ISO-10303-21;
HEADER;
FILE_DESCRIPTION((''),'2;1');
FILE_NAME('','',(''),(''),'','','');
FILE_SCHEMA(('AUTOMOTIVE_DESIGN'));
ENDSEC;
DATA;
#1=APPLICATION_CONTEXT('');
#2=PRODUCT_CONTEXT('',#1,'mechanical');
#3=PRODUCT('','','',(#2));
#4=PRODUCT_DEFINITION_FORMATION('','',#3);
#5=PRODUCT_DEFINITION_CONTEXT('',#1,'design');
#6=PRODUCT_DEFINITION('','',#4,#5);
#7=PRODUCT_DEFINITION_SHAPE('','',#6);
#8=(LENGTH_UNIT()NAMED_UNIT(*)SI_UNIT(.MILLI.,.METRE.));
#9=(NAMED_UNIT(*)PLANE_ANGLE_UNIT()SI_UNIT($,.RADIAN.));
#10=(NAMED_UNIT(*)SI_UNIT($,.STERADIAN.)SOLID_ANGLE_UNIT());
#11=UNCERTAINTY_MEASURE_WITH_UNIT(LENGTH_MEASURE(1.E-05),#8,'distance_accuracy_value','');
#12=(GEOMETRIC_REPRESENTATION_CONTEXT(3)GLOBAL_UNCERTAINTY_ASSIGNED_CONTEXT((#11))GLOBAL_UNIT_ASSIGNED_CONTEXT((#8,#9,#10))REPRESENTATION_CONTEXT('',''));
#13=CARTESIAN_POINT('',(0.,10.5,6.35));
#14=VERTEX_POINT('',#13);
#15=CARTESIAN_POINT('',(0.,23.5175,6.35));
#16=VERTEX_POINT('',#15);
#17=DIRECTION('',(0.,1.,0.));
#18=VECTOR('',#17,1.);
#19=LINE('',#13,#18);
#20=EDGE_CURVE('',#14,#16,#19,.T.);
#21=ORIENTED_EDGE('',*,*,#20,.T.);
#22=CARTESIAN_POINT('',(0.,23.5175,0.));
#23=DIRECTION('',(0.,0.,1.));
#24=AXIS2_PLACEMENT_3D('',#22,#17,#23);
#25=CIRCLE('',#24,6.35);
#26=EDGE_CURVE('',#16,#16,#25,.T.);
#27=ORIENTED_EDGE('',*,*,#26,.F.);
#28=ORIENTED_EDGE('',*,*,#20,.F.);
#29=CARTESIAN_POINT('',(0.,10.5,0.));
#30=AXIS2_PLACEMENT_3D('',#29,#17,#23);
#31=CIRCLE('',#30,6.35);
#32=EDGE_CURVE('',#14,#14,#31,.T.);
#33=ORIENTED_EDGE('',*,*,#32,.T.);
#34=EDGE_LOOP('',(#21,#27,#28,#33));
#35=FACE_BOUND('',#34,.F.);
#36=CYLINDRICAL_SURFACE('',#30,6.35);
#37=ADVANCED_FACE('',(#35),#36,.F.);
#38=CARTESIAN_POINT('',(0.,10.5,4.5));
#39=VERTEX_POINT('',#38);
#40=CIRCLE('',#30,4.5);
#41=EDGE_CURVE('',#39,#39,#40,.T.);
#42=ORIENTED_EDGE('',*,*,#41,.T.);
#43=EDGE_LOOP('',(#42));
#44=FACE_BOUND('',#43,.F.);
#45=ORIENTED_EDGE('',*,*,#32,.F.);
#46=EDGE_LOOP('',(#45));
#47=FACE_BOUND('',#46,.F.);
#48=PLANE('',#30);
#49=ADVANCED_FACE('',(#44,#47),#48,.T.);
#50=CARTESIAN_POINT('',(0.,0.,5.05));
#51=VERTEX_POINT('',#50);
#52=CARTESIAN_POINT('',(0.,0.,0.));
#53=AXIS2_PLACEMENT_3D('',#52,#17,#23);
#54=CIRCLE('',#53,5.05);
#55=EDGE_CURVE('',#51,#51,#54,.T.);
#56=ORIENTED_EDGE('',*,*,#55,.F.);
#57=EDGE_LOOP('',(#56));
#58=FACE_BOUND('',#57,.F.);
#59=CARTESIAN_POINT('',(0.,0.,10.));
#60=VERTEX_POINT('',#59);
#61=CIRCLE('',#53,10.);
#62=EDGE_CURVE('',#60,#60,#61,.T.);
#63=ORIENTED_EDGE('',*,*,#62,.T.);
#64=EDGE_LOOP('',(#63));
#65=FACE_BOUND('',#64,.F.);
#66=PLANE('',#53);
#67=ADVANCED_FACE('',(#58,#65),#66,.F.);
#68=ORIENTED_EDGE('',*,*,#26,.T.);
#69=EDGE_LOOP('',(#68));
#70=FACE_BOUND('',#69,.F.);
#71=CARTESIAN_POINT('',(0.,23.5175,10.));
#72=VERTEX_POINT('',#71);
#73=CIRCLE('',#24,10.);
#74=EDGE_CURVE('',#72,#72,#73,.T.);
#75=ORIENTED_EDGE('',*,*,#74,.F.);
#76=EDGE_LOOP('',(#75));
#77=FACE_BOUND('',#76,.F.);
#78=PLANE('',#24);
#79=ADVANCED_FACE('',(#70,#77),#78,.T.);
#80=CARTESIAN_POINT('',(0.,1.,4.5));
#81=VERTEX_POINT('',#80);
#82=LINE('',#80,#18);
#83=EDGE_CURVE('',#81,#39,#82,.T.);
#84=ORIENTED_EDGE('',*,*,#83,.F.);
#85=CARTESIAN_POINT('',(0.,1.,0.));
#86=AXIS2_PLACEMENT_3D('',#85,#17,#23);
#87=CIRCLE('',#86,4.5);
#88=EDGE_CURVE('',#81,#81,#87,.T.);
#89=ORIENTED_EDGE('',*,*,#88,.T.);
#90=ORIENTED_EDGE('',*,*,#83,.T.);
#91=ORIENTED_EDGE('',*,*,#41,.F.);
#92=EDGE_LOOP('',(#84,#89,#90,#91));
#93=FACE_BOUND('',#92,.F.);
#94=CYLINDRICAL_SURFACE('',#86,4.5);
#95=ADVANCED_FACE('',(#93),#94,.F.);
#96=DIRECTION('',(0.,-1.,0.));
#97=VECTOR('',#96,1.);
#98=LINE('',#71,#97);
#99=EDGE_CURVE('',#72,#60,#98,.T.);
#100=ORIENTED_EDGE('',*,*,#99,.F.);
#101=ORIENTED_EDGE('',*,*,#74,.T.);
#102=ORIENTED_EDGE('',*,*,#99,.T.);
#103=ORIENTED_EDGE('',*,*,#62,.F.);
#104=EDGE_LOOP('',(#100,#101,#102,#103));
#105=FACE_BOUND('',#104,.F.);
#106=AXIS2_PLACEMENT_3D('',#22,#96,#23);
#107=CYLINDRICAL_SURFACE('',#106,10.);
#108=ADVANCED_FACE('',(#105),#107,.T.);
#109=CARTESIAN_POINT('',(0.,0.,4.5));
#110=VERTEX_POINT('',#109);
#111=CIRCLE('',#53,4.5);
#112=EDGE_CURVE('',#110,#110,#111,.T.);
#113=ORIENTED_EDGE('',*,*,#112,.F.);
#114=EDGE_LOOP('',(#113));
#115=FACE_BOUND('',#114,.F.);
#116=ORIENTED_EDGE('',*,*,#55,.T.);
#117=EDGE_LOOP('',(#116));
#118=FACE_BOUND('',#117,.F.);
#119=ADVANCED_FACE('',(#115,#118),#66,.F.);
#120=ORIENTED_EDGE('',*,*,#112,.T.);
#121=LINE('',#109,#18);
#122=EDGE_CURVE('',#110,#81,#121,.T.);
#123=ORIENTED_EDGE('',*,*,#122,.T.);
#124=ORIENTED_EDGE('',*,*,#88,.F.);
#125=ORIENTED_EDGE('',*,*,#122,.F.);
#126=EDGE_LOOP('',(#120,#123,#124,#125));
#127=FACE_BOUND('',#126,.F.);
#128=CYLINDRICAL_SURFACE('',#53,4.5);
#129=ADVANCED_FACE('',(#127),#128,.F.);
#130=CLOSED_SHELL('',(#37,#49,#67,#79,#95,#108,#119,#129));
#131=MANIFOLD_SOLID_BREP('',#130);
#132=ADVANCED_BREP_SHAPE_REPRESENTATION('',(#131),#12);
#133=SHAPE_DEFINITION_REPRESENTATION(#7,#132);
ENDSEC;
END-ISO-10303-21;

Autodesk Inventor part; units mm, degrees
ref_plane "YZ Plane" through (0, 0, 0) normal (1, 0, 0) x (0, 1, 0)
ref_plane "XZ Plane" through (0, 0, 0) normal (0, 1, 0) x (-1, 0, 0)
ref_plane "XY Plane" through (0, 0, 0) normal (0, 0, 1) x (1, 0, 0)
sketch "Sketch1" plane through (0, 0, 0) normal (1, 0, 0) x (0, 1, 0)
  line L0 (1, 4.5) -> (10.5, 4.5)
  line L1 (10.5, 4.5) -> (10.5, 6.35)
  line L2 (10.5, 6.35) -> (23.5175, 6.35)
  line L3 (23.5175, 6.35) -> (23.5175, 10)
  line L4 (23.5175, 10) -> (0, 10)
  line L5 (0, 10) -> (0, 5.05)
  line L6 (-4.7035, 0) -> (28.221, 0) projected
  line L7 (0, 5.05) -> (0, 4.5)
  line L8 (0, 4.5) -> (1, 4.5)
  point P0 (0, 0)
  dimension "d1" = 4.5
  dimension "d2" = 6.35
  dimension "d3" = 10
  dimension "d5" = 10.5
  dimension "d6" = 13.0175
revolve "Revolution1" add sketch "Sketch1" angle 360 about axis through (0, -10, 0) along (0, 1, 0)
properties part number "gearbox to waterjoint coupling" material "Aluminum 6061"
